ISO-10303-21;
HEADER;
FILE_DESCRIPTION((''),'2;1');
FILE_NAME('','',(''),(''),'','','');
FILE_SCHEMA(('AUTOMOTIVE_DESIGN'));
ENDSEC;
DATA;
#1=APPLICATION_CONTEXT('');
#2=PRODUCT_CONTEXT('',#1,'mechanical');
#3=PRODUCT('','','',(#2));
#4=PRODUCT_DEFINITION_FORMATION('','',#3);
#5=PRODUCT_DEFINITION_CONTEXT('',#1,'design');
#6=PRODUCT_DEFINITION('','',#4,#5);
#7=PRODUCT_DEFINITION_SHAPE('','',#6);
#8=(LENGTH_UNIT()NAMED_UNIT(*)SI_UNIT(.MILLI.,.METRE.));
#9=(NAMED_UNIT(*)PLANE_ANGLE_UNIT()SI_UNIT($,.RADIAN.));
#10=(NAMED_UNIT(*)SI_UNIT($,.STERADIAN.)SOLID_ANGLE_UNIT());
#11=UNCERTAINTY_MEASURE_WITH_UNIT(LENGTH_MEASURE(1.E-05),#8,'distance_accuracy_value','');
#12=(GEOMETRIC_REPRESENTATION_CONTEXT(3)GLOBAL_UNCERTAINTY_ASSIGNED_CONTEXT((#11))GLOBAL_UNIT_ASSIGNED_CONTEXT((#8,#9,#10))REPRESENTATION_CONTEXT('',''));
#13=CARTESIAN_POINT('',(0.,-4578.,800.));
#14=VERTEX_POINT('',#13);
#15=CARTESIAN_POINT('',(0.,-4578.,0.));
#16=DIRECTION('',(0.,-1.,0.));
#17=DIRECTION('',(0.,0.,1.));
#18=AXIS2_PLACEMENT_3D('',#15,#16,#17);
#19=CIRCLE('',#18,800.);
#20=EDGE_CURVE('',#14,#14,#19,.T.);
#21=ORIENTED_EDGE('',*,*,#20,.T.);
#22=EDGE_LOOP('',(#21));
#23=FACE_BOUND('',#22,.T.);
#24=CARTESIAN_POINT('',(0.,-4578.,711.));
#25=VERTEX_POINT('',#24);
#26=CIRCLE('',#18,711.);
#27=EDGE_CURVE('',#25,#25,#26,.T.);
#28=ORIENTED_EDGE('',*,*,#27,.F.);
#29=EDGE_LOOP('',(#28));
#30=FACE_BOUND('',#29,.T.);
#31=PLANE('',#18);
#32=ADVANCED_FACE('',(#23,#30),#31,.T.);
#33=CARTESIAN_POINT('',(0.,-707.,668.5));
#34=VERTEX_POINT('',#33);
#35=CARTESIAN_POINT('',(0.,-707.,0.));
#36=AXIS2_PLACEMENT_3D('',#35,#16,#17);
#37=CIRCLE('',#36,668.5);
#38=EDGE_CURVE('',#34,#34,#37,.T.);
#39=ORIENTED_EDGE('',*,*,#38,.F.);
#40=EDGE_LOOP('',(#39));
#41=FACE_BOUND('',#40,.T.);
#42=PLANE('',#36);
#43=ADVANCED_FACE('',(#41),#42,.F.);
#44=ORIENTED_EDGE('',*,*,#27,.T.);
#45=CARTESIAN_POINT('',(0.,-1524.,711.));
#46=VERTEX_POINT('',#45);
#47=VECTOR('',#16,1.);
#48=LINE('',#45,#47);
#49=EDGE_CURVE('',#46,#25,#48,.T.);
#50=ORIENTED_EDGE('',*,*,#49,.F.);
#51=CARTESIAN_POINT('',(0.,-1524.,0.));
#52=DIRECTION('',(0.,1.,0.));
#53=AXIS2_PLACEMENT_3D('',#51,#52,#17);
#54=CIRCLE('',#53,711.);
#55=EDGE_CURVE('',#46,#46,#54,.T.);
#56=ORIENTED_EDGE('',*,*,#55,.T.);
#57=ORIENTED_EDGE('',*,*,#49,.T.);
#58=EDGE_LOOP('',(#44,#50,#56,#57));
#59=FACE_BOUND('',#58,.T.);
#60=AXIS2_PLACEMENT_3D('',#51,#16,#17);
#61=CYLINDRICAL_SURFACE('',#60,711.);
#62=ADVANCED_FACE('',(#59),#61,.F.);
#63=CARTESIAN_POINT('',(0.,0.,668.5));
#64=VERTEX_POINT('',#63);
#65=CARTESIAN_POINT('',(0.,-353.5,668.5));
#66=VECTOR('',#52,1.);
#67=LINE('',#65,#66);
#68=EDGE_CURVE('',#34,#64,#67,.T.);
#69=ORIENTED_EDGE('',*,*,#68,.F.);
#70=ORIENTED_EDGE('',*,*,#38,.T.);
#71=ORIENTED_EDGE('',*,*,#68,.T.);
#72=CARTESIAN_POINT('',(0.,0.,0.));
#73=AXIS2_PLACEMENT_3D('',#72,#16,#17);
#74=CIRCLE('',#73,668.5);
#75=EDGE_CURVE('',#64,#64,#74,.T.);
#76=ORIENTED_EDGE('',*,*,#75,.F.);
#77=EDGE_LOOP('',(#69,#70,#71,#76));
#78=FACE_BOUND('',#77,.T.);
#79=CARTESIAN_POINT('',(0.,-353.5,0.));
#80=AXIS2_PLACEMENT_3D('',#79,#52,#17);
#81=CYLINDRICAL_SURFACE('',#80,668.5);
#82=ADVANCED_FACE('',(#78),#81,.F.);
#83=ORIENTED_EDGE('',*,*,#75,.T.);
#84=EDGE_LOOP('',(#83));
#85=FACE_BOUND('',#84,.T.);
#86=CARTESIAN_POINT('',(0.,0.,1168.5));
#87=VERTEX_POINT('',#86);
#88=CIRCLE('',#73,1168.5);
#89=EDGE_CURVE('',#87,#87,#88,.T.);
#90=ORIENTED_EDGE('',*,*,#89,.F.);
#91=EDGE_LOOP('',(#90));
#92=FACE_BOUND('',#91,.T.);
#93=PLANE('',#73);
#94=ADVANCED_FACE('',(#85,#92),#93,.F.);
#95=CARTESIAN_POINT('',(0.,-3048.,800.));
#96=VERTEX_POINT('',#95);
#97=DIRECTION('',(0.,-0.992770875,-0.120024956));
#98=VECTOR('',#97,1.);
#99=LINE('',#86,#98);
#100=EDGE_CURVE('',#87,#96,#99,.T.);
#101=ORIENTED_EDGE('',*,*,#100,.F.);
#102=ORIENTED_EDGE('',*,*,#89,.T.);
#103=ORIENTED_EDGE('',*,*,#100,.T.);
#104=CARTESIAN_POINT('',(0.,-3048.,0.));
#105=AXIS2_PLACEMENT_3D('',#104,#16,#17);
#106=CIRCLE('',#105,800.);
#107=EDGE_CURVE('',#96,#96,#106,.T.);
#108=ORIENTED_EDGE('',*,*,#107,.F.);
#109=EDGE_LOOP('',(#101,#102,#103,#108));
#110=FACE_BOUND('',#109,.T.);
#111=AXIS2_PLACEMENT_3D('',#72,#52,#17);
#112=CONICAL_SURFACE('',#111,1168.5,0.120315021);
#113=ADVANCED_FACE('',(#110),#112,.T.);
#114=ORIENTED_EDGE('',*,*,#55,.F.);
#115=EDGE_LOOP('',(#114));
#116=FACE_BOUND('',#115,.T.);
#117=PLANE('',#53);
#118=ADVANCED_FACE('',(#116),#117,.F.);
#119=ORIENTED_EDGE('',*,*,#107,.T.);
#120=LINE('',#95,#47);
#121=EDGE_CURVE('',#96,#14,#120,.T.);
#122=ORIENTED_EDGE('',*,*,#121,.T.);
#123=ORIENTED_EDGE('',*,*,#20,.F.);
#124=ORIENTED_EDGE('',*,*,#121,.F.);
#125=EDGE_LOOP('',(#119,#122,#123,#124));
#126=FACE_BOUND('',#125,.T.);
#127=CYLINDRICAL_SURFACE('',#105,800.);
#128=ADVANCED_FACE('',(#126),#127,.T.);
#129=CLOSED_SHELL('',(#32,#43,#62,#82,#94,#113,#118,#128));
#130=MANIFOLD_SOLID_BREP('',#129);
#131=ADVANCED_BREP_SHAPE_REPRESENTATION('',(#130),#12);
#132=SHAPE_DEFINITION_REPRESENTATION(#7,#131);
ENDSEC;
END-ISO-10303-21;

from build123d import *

# Parameters (mm, degrees)
F2_W = 707
F2_H = 668.5


with BuildPart() as f3:
    # F0 (on Right) → F3 (revolve)
    with BuildSketch(Plane.YZ):
        Polygon((-3048, 0), (0, 0), (0, 1168.5), (-3048, 800), (-4578, 800), (-4578, 0), align=None)
    revolve(axis=Axis((0, -1524, 0), (0, -1, 0)))

    # F1 (on face) → F4 (revolve, cut)
    with BuildSketch(Plane.YZ):
        Polygon((-4810.84156, 0), (-3048, 0), (-1524, 0), (-1524, 711), (-3048, 711), (-4816.081524, 711), align=None)
    revolve(axis=Axis((0, -2286, 0), (0, 1, 0)), mode=Mode.SUBTRACT)

    # F2 (on Right) → F5 (revolve, cut)
    with BuildSketch(Plane.YZ):
        with Locations((-353.5, 334.25)):
            Rectangle(F2_W, F2_H)
    revolve(axis=Axis((0, -353.5, 0), (0, -1, 0)), mode=Mode.SUBTRACT)


solid = f3.part
